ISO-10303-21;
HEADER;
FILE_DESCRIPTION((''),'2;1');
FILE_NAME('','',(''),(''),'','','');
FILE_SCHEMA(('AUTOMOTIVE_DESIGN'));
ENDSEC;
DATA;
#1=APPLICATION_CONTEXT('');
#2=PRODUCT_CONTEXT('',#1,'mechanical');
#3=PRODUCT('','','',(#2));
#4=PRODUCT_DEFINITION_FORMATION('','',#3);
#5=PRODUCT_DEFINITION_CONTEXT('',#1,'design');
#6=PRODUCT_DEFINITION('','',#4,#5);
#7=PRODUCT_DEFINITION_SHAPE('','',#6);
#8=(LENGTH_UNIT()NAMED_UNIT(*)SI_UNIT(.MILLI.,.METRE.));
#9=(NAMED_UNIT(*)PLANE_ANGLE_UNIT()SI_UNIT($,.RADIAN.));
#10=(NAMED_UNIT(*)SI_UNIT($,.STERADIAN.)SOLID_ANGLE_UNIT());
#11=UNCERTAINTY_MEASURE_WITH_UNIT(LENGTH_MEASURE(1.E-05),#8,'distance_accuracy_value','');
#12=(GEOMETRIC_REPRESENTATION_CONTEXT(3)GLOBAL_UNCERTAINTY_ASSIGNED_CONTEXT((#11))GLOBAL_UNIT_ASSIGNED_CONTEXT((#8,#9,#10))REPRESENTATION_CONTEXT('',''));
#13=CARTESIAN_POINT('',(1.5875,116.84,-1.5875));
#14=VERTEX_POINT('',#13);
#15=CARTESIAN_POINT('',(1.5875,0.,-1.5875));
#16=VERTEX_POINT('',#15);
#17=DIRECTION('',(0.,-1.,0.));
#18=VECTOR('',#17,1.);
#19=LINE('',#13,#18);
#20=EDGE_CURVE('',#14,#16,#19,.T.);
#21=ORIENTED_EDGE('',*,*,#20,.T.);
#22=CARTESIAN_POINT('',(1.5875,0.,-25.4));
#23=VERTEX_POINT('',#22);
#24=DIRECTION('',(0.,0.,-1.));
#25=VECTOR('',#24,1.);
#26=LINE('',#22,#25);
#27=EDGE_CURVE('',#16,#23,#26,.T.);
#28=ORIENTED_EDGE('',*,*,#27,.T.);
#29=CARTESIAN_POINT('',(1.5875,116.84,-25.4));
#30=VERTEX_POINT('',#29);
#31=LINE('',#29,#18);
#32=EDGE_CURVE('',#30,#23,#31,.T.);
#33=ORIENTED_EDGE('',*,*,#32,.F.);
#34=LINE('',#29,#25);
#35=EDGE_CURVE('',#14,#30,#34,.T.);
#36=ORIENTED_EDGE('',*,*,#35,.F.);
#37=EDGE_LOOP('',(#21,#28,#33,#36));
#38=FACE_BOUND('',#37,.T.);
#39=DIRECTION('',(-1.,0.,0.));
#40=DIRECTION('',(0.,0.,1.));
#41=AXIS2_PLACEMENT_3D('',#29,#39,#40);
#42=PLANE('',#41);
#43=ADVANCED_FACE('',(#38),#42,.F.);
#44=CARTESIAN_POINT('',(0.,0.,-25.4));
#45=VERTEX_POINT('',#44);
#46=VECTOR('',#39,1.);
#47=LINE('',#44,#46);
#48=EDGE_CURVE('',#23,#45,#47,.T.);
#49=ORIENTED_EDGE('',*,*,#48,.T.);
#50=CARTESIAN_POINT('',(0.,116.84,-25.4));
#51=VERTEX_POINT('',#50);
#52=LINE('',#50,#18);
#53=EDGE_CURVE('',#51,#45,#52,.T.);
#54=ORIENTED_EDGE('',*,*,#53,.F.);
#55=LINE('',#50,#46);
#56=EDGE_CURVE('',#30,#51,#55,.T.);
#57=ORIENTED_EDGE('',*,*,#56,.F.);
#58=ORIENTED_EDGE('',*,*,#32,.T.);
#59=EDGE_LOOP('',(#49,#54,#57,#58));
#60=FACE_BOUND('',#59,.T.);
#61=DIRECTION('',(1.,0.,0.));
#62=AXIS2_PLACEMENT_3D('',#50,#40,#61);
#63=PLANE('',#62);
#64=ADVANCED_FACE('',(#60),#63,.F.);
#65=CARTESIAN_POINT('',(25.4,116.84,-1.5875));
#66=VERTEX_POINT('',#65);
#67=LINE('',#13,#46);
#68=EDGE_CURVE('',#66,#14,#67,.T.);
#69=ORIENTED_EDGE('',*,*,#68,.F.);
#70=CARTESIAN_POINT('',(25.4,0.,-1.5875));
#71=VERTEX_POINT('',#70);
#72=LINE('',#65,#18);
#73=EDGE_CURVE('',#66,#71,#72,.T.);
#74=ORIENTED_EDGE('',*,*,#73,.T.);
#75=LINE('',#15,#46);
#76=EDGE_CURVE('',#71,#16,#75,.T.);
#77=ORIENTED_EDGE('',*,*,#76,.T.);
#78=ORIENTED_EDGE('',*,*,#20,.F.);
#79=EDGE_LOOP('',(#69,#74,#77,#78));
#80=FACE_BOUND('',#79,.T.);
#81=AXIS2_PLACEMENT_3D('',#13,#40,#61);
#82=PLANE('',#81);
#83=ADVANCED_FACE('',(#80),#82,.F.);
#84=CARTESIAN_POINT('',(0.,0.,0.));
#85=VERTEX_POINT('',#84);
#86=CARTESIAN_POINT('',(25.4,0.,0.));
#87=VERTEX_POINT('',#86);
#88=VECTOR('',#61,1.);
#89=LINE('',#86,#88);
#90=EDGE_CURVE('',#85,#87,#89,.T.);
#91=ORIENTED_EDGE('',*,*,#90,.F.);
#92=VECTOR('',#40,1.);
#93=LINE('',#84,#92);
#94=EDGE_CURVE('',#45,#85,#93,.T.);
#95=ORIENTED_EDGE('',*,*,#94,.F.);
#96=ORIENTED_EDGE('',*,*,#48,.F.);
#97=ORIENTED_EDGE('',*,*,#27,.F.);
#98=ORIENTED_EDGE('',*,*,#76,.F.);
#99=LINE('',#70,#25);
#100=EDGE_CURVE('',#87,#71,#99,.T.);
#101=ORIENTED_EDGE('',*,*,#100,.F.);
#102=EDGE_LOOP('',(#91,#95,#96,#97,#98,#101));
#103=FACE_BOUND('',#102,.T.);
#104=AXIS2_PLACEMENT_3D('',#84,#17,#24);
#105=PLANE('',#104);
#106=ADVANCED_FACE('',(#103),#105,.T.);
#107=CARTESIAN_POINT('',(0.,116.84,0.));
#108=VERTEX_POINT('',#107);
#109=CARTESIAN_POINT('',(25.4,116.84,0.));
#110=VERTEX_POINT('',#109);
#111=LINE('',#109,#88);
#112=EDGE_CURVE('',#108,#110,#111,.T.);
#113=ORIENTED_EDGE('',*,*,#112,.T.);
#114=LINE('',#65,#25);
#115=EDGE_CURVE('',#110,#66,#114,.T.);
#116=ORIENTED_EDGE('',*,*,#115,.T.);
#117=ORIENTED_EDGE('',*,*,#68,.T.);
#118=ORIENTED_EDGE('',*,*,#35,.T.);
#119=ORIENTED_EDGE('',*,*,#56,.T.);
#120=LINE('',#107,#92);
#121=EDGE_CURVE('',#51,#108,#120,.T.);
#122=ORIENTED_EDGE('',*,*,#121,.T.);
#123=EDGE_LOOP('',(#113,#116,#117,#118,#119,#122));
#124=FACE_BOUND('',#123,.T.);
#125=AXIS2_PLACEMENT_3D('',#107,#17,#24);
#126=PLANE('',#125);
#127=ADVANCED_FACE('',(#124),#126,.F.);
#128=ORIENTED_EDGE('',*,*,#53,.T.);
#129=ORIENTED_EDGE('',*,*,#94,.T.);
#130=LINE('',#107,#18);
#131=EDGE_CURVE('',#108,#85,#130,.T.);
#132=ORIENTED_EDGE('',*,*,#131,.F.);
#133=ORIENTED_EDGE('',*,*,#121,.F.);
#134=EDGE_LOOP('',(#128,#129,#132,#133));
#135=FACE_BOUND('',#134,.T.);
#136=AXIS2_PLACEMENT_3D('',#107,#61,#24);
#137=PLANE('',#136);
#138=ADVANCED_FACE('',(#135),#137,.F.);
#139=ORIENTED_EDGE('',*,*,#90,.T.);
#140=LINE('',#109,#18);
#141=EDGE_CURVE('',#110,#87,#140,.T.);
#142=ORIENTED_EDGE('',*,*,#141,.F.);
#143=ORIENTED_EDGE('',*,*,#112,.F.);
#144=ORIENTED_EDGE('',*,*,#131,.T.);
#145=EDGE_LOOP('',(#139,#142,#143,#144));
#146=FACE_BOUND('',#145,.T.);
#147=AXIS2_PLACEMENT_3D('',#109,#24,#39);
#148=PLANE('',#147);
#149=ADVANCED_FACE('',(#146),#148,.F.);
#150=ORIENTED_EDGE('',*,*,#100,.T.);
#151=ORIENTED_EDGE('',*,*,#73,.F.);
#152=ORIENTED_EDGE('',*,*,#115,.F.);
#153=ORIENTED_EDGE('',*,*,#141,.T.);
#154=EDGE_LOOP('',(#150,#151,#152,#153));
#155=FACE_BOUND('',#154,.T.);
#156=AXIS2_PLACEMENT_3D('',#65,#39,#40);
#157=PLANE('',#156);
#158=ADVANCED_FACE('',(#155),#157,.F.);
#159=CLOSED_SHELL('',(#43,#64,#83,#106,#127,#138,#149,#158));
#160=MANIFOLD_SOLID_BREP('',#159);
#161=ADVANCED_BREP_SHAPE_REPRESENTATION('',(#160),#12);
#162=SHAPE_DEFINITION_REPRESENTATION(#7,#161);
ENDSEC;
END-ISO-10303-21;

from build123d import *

# Parameters (mm, degrees)
BOSS_EXTRUDE1_DEPTH = 116.84


with BuildPart() as part:
    # Sketch1 → Boss-Extrude1 (new body)
    with BuildSketch(Plane(origin=(0, 0, 0), x_dir=(1, 0, 0), z_dir=(0, 1, 0))):
        Polygon((0, 0), (0, 25.4), (1.5875, 25.4), (1.5875, 1.5875), (25.4, 1.5875), (25.4, 0), align=None)
    extrude(amount=BOSS_EXTRUDE1_DEPTH)


solid = part.part
